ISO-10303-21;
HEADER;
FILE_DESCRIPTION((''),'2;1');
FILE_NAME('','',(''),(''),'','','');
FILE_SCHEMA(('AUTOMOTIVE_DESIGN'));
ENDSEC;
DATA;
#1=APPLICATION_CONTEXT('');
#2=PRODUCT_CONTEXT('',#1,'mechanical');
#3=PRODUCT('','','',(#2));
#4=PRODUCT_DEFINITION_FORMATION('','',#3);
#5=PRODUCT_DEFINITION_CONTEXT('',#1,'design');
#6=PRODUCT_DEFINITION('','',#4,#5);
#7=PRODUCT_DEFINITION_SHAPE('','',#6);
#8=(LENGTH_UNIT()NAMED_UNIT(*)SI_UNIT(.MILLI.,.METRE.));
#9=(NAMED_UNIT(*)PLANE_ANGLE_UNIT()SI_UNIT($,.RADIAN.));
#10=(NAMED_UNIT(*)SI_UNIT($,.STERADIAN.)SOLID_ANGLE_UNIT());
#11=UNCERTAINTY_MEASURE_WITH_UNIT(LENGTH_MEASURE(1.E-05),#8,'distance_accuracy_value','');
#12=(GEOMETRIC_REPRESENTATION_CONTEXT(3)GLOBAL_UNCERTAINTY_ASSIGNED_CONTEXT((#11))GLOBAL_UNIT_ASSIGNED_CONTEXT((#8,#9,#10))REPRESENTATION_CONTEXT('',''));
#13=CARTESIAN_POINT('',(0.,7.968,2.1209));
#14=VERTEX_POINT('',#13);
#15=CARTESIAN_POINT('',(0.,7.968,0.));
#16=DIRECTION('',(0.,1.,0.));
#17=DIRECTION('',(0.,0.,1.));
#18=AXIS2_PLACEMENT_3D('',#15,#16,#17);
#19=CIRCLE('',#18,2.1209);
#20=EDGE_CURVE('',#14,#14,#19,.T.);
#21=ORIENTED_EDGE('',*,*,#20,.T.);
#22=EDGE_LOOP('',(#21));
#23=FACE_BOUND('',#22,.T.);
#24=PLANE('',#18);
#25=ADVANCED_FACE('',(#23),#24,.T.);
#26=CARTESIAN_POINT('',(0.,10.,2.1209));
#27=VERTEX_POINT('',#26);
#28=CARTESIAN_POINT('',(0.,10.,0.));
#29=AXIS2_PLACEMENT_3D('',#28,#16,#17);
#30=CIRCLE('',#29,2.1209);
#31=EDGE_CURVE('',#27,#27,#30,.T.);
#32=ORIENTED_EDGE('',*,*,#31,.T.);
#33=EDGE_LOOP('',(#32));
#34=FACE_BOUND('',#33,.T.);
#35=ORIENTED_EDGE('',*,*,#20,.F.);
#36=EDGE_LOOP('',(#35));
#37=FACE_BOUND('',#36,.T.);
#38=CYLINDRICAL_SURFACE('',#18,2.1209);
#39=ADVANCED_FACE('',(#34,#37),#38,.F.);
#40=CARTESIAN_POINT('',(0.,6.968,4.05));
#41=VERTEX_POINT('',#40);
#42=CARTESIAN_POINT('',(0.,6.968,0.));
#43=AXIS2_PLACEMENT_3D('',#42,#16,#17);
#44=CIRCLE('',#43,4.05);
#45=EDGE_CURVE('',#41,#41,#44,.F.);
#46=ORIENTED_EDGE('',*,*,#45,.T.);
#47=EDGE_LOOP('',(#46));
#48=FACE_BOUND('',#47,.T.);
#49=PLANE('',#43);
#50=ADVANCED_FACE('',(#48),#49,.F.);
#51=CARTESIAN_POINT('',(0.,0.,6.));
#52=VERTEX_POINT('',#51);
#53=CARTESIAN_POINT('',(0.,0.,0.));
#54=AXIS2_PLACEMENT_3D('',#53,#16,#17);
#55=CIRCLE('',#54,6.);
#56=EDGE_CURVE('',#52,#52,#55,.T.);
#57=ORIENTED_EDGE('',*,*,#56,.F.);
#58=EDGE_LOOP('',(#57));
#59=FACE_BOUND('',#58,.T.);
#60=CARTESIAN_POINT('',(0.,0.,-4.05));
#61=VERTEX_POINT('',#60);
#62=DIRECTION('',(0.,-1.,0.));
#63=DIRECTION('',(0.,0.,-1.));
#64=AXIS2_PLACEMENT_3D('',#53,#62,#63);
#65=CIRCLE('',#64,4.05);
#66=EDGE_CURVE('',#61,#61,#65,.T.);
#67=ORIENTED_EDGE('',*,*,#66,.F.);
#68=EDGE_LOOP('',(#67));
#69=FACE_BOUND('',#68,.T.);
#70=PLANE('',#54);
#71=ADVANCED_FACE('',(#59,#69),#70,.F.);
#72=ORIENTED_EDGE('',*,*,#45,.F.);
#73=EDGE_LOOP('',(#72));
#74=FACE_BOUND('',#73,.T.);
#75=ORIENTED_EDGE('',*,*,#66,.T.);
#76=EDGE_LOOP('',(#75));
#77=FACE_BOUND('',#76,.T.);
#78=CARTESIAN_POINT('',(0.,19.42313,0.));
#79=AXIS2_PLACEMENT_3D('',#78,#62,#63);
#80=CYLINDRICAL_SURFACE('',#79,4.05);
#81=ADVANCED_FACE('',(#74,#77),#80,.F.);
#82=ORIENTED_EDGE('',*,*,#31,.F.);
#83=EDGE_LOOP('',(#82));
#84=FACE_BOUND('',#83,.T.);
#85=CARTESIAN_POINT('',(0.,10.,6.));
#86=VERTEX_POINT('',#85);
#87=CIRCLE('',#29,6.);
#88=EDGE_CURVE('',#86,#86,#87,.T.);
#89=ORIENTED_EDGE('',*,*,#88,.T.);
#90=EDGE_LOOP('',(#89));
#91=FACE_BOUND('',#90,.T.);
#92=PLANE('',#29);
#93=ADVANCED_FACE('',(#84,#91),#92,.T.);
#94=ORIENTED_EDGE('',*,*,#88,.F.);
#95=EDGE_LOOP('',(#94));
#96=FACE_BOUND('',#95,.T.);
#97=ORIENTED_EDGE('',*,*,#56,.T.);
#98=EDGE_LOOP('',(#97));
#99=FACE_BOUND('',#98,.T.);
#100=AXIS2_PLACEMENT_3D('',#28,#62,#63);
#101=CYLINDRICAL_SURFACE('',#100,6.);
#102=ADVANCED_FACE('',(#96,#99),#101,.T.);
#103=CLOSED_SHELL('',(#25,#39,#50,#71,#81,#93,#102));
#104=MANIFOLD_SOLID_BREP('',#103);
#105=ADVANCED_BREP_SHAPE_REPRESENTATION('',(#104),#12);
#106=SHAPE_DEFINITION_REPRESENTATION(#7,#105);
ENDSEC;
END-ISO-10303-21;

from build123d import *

# Parameters (mm, degrees)
SKETCH1_R           = 6
BOSS_EXTRUDE1_DEPTH = 10
SKETCH3_R           = 2.1209
CUT_EXTRUDE2_DEPTH  = 2.032
SKETCH2_R           = 4.05
CUT_EXTRUDE1_DEPTH  = 6.968


with BuildPart() as part:
    # Sketch1 → Boss-Extrude1 (new body)
    with BuildSketch(Plane(origin=(0, 0, 0), x_dir=(1, 0, 0), z_dir=(0, 1, 0))):
        Circle(SKETCH1_R)
    extrude(amount=BOSS_EXTRUDE1_DEPTH)

    # Sketch3 → Cut-Extrude2 (cut)
    with BuildSketch(Plane(origin=(0, 10, 0), x_dir=(1, 0, 0), z_dir=(0, 1, 0))):
        Circle(SKETCH3_R)
    extrude(amount=-CUT_EXTRUDE2_DEPTH, mode=Mode.SUBTRACT)

    # Sketch2 → Cut-Extrude1 (cut)
    with BuildSketch(Plane.XZ):
        Circle(SKETCH2_R)
    extrude(amount=-CUT_EXTRUDE1_DEPTH, mode=Mode.SUBTRACT)


solid = part.part
